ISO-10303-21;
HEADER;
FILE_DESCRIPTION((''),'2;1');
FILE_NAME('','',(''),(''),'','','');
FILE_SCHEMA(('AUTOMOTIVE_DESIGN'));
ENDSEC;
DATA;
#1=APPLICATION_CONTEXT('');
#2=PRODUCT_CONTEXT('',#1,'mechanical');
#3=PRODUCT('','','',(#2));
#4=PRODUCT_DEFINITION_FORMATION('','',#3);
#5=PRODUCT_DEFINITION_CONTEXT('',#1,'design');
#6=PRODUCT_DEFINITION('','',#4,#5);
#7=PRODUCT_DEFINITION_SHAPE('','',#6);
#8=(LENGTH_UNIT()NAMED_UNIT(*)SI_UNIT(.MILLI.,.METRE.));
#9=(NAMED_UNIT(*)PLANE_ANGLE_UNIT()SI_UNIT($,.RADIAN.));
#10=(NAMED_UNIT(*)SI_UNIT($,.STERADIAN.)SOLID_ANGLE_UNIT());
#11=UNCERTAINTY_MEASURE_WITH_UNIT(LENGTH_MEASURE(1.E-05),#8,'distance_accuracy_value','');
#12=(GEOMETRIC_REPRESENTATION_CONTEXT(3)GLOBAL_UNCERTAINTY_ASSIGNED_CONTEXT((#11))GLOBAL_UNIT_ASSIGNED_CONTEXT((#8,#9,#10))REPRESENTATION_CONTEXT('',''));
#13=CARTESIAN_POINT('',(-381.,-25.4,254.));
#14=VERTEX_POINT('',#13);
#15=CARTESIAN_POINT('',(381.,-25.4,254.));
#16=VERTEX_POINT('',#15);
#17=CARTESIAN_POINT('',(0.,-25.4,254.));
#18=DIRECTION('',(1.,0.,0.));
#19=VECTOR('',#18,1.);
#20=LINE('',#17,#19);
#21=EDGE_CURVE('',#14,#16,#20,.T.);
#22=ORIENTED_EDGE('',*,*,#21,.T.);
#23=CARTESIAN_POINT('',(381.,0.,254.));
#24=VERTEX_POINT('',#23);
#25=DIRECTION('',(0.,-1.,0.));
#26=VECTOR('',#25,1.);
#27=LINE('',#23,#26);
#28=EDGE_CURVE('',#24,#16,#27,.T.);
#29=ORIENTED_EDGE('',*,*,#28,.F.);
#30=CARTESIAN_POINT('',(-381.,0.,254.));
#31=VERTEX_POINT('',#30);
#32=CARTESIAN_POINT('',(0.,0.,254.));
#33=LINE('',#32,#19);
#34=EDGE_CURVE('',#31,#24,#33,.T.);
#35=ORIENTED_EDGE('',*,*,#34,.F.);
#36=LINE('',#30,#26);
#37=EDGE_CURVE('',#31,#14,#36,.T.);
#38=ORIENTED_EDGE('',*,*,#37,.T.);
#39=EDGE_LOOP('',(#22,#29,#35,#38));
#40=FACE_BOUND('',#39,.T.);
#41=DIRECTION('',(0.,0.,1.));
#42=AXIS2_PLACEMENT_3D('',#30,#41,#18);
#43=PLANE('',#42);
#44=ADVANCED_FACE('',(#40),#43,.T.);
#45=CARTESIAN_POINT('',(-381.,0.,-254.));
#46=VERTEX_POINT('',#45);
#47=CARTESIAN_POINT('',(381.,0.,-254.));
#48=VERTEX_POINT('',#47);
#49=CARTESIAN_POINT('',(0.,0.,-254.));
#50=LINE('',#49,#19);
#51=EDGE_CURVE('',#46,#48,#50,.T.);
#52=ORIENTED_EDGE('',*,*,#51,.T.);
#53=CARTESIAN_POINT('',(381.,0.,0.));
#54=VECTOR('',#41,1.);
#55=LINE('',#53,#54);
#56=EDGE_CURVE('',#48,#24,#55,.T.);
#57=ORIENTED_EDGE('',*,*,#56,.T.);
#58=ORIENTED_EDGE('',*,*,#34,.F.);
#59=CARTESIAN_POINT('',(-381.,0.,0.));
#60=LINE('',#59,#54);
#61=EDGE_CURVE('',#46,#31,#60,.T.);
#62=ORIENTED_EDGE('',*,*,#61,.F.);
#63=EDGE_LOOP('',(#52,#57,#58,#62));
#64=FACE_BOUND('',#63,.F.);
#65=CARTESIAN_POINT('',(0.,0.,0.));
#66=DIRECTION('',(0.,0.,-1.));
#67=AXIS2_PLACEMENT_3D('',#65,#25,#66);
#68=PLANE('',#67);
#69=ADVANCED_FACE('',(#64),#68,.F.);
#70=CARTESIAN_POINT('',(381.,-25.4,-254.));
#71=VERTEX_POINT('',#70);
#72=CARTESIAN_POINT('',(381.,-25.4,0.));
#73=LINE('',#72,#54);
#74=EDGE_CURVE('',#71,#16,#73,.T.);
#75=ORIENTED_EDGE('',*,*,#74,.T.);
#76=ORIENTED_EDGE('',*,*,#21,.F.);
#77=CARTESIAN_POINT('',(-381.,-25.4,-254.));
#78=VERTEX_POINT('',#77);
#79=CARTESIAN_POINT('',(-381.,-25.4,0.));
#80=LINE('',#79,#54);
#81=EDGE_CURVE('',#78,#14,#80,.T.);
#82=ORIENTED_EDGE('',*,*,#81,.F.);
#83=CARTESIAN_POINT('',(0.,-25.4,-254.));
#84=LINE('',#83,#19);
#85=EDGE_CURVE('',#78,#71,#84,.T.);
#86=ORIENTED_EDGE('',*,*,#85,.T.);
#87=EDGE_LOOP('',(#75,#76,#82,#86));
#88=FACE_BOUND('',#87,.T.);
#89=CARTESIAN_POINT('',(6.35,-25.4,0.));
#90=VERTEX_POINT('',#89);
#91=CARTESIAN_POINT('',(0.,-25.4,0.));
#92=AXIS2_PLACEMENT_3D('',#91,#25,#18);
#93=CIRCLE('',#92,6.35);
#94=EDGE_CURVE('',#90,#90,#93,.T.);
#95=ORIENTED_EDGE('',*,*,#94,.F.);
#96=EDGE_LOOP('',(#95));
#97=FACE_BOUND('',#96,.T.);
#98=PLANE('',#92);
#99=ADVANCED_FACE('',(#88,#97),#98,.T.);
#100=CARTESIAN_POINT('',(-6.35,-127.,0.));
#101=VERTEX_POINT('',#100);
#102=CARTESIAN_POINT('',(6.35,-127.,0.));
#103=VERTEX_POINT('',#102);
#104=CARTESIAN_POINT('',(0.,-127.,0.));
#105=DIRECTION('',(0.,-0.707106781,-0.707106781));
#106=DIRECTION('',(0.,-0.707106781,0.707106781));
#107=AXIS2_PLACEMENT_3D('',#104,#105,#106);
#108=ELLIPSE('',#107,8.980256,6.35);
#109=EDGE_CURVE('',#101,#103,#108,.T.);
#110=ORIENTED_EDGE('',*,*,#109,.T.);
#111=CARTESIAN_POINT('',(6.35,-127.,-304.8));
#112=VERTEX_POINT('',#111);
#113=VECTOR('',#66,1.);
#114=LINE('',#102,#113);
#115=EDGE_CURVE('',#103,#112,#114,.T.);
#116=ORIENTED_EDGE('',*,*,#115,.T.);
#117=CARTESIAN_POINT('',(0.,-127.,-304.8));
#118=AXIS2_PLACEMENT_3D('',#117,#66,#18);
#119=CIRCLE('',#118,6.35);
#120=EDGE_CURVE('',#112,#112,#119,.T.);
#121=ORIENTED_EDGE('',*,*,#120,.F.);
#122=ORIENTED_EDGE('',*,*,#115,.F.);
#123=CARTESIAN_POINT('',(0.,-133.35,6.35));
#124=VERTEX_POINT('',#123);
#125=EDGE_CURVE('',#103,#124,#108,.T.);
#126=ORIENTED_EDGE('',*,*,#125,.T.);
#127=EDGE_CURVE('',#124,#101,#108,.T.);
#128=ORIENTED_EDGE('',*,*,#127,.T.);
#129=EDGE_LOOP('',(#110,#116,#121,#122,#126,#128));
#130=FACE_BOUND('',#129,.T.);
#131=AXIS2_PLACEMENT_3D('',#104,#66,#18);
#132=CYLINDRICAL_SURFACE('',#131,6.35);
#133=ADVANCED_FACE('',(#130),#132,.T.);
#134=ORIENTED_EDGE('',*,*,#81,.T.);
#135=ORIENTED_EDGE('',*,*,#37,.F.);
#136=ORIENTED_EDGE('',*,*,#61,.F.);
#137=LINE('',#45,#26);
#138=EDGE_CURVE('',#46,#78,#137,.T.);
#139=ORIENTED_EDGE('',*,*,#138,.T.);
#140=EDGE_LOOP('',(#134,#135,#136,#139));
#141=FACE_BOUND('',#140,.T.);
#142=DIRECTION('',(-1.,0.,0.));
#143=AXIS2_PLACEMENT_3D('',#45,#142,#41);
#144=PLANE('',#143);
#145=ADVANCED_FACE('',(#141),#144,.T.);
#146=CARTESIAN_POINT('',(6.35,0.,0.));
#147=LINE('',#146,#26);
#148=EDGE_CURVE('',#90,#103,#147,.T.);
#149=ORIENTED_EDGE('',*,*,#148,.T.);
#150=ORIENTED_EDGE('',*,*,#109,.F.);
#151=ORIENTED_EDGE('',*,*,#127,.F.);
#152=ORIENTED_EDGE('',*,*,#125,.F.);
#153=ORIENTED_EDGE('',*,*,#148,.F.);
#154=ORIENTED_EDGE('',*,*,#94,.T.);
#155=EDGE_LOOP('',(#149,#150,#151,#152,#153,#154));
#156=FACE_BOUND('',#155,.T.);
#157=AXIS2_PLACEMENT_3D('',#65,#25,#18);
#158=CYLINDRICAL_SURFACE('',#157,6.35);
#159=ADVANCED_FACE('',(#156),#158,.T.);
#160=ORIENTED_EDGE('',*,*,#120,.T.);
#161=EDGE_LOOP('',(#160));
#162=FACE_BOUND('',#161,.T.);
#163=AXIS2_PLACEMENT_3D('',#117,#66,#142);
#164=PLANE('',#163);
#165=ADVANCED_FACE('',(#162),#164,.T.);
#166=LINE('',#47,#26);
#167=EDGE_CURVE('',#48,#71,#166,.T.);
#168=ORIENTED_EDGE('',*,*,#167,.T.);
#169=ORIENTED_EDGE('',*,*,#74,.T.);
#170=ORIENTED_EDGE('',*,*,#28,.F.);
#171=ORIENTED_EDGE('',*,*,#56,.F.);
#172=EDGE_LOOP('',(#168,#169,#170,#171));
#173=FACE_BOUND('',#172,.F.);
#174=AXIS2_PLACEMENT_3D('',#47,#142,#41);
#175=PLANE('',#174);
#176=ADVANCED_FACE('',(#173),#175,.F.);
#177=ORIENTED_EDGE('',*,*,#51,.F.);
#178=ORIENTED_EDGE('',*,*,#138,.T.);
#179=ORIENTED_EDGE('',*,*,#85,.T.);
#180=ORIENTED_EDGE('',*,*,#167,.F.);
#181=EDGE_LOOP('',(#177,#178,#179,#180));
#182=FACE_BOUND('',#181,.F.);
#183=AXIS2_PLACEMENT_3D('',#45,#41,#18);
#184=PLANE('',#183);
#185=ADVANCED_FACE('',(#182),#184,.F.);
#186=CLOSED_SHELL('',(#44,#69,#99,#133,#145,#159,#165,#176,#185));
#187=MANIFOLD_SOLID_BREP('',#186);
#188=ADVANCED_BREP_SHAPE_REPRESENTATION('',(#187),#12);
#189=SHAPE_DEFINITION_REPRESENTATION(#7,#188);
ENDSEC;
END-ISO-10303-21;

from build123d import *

# Parameters (mm, degrees)
F0_W     = 762
F0_H     = 508
F1_DEPTH = 25.4
F3_R     = 6.35


with BuildPart() as f1:
    # F0 (on Front) → F1 (new body)
    with BuildSketch(Plane.XZ):
        Rectangle(F0_W, F0_H)
    extrude(amount=F1_DEPTH)

    # F4: sweep along a path in F2
    with BuildLine(Plane.YZ) as f4_path:
        Line((0, 0), (-127, 0))
        Line((-127, 0), (-127, -304.8))
    # F3 (on Front) → F4 (sweep)
    with BuildSketch(Plane.XZ):
        Circle(F3_R)
    sweep(path=f4_path.line, transition=Transition.RIGHT)


solid = f1.part
